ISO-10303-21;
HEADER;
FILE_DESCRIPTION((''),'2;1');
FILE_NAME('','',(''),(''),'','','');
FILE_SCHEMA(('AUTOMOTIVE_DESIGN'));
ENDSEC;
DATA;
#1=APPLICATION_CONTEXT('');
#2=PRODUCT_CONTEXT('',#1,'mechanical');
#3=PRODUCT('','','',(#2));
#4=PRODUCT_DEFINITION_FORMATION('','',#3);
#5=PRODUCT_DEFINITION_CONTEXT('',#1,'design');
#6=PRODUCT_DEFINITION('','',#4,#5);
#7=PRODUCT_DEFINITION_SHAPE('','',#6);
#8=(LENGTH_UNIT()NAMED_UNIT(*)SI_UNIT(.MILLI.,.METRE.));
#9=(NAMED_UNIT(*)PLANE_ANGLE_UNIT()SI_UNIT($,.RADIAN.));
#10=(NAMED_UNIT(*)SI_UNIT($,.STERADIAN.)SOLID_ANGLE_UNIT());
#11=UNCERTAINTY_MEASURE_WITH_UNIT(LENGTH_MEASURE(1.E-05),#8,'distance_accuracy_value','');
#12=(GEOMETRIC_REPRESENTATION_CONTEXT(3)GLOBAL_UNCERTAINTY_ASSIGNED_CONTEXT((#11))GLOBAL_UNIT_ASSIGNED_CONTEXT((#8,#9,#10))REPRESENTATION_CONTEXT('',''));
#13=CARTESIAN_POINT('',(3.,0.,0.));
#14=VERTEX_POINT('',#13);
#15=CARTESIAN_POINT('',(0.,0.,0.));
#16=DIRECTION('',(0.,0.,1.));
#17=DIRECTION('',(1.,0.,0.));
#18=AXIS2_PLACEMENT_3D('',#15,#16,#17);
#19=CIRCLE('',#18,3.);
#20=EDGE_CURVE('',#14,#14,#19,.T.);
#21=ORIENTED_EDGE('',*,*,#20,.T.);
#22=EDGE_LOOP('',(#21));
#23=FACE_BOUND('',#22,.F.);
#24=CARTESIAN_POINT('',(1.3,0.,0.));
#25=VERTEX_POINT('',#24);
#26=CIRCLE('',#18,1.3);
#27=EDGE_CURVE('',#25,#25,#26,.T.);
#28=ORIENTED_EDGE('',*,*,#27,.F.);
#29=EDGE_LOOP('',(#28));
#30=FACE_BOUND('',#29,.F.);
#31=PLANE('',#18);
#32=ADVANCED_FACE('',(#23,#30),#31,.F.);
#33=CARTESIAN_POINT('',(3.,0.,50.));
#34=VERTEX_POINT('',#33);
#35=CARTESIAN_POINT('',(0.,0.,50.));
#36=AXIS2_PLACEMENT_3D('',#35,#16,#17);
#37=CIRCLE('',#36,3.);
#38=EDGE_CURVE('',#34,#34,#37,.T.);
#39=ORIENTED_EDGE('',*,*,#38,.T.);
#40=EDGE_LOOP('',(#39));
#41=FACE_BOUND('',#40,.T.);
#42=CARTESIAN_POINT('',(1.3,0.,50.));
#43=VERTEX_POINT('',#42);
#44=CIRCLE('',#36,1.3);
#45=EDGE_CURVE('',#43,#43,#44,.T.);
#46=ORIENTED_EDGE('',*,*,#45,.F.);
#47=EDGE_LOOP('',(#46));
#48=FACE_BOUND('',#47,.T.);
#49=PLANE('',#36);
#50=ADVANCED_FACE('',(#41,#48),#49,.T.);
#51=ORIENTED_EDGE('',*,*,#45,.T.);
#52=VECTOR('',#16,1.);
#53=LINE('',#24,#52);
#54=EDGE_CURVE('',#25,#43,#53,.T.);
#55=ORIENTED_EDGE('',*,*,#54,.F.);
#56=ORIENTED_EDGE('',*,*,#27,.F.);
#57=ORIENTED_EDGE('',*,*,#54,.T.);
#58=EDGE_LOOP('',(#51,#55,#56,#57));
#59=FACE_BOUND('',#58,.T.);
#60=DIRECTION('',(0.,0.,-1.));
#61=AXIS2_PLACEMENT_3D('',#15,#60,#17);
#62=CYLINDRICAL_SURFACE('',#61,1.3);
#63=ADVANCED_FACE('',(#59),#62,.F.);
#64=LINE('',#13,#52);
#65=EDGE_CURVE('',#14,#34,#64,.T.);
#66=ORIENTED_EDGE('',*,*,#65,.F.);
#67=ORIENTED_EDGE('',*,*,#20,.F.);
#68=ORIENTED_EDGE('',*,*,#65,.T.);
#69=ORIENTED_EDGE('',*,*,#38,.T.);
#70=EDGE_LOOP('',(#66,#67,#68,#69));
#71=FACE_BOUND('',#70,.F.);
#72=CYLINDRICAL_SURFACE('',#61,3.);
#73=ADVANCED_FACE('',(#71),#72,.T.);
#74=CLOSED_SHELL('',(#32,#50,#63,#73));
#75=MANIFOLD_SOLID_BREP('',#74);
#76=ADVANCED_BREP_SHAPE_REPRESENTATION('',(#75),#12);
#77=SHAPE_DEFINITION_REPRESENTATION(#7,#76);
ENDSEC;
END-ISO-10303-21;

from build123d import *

# Parameters (mm, degrees)
SKETCH_R   = 3
SKETCH_R_2 = 1.3
PAD_DEPTH  = 50


with BuildPart() as part:
    # Sketch → Pad (new body)
    with BuildSketch(Plane.XY):
        Circle(SKETCH_R)
        Circle(SKETCH_R_2, mode=Mode.SUBTRACT)
    extrude(amount=PAD_DEPTH)


solid = part.part
